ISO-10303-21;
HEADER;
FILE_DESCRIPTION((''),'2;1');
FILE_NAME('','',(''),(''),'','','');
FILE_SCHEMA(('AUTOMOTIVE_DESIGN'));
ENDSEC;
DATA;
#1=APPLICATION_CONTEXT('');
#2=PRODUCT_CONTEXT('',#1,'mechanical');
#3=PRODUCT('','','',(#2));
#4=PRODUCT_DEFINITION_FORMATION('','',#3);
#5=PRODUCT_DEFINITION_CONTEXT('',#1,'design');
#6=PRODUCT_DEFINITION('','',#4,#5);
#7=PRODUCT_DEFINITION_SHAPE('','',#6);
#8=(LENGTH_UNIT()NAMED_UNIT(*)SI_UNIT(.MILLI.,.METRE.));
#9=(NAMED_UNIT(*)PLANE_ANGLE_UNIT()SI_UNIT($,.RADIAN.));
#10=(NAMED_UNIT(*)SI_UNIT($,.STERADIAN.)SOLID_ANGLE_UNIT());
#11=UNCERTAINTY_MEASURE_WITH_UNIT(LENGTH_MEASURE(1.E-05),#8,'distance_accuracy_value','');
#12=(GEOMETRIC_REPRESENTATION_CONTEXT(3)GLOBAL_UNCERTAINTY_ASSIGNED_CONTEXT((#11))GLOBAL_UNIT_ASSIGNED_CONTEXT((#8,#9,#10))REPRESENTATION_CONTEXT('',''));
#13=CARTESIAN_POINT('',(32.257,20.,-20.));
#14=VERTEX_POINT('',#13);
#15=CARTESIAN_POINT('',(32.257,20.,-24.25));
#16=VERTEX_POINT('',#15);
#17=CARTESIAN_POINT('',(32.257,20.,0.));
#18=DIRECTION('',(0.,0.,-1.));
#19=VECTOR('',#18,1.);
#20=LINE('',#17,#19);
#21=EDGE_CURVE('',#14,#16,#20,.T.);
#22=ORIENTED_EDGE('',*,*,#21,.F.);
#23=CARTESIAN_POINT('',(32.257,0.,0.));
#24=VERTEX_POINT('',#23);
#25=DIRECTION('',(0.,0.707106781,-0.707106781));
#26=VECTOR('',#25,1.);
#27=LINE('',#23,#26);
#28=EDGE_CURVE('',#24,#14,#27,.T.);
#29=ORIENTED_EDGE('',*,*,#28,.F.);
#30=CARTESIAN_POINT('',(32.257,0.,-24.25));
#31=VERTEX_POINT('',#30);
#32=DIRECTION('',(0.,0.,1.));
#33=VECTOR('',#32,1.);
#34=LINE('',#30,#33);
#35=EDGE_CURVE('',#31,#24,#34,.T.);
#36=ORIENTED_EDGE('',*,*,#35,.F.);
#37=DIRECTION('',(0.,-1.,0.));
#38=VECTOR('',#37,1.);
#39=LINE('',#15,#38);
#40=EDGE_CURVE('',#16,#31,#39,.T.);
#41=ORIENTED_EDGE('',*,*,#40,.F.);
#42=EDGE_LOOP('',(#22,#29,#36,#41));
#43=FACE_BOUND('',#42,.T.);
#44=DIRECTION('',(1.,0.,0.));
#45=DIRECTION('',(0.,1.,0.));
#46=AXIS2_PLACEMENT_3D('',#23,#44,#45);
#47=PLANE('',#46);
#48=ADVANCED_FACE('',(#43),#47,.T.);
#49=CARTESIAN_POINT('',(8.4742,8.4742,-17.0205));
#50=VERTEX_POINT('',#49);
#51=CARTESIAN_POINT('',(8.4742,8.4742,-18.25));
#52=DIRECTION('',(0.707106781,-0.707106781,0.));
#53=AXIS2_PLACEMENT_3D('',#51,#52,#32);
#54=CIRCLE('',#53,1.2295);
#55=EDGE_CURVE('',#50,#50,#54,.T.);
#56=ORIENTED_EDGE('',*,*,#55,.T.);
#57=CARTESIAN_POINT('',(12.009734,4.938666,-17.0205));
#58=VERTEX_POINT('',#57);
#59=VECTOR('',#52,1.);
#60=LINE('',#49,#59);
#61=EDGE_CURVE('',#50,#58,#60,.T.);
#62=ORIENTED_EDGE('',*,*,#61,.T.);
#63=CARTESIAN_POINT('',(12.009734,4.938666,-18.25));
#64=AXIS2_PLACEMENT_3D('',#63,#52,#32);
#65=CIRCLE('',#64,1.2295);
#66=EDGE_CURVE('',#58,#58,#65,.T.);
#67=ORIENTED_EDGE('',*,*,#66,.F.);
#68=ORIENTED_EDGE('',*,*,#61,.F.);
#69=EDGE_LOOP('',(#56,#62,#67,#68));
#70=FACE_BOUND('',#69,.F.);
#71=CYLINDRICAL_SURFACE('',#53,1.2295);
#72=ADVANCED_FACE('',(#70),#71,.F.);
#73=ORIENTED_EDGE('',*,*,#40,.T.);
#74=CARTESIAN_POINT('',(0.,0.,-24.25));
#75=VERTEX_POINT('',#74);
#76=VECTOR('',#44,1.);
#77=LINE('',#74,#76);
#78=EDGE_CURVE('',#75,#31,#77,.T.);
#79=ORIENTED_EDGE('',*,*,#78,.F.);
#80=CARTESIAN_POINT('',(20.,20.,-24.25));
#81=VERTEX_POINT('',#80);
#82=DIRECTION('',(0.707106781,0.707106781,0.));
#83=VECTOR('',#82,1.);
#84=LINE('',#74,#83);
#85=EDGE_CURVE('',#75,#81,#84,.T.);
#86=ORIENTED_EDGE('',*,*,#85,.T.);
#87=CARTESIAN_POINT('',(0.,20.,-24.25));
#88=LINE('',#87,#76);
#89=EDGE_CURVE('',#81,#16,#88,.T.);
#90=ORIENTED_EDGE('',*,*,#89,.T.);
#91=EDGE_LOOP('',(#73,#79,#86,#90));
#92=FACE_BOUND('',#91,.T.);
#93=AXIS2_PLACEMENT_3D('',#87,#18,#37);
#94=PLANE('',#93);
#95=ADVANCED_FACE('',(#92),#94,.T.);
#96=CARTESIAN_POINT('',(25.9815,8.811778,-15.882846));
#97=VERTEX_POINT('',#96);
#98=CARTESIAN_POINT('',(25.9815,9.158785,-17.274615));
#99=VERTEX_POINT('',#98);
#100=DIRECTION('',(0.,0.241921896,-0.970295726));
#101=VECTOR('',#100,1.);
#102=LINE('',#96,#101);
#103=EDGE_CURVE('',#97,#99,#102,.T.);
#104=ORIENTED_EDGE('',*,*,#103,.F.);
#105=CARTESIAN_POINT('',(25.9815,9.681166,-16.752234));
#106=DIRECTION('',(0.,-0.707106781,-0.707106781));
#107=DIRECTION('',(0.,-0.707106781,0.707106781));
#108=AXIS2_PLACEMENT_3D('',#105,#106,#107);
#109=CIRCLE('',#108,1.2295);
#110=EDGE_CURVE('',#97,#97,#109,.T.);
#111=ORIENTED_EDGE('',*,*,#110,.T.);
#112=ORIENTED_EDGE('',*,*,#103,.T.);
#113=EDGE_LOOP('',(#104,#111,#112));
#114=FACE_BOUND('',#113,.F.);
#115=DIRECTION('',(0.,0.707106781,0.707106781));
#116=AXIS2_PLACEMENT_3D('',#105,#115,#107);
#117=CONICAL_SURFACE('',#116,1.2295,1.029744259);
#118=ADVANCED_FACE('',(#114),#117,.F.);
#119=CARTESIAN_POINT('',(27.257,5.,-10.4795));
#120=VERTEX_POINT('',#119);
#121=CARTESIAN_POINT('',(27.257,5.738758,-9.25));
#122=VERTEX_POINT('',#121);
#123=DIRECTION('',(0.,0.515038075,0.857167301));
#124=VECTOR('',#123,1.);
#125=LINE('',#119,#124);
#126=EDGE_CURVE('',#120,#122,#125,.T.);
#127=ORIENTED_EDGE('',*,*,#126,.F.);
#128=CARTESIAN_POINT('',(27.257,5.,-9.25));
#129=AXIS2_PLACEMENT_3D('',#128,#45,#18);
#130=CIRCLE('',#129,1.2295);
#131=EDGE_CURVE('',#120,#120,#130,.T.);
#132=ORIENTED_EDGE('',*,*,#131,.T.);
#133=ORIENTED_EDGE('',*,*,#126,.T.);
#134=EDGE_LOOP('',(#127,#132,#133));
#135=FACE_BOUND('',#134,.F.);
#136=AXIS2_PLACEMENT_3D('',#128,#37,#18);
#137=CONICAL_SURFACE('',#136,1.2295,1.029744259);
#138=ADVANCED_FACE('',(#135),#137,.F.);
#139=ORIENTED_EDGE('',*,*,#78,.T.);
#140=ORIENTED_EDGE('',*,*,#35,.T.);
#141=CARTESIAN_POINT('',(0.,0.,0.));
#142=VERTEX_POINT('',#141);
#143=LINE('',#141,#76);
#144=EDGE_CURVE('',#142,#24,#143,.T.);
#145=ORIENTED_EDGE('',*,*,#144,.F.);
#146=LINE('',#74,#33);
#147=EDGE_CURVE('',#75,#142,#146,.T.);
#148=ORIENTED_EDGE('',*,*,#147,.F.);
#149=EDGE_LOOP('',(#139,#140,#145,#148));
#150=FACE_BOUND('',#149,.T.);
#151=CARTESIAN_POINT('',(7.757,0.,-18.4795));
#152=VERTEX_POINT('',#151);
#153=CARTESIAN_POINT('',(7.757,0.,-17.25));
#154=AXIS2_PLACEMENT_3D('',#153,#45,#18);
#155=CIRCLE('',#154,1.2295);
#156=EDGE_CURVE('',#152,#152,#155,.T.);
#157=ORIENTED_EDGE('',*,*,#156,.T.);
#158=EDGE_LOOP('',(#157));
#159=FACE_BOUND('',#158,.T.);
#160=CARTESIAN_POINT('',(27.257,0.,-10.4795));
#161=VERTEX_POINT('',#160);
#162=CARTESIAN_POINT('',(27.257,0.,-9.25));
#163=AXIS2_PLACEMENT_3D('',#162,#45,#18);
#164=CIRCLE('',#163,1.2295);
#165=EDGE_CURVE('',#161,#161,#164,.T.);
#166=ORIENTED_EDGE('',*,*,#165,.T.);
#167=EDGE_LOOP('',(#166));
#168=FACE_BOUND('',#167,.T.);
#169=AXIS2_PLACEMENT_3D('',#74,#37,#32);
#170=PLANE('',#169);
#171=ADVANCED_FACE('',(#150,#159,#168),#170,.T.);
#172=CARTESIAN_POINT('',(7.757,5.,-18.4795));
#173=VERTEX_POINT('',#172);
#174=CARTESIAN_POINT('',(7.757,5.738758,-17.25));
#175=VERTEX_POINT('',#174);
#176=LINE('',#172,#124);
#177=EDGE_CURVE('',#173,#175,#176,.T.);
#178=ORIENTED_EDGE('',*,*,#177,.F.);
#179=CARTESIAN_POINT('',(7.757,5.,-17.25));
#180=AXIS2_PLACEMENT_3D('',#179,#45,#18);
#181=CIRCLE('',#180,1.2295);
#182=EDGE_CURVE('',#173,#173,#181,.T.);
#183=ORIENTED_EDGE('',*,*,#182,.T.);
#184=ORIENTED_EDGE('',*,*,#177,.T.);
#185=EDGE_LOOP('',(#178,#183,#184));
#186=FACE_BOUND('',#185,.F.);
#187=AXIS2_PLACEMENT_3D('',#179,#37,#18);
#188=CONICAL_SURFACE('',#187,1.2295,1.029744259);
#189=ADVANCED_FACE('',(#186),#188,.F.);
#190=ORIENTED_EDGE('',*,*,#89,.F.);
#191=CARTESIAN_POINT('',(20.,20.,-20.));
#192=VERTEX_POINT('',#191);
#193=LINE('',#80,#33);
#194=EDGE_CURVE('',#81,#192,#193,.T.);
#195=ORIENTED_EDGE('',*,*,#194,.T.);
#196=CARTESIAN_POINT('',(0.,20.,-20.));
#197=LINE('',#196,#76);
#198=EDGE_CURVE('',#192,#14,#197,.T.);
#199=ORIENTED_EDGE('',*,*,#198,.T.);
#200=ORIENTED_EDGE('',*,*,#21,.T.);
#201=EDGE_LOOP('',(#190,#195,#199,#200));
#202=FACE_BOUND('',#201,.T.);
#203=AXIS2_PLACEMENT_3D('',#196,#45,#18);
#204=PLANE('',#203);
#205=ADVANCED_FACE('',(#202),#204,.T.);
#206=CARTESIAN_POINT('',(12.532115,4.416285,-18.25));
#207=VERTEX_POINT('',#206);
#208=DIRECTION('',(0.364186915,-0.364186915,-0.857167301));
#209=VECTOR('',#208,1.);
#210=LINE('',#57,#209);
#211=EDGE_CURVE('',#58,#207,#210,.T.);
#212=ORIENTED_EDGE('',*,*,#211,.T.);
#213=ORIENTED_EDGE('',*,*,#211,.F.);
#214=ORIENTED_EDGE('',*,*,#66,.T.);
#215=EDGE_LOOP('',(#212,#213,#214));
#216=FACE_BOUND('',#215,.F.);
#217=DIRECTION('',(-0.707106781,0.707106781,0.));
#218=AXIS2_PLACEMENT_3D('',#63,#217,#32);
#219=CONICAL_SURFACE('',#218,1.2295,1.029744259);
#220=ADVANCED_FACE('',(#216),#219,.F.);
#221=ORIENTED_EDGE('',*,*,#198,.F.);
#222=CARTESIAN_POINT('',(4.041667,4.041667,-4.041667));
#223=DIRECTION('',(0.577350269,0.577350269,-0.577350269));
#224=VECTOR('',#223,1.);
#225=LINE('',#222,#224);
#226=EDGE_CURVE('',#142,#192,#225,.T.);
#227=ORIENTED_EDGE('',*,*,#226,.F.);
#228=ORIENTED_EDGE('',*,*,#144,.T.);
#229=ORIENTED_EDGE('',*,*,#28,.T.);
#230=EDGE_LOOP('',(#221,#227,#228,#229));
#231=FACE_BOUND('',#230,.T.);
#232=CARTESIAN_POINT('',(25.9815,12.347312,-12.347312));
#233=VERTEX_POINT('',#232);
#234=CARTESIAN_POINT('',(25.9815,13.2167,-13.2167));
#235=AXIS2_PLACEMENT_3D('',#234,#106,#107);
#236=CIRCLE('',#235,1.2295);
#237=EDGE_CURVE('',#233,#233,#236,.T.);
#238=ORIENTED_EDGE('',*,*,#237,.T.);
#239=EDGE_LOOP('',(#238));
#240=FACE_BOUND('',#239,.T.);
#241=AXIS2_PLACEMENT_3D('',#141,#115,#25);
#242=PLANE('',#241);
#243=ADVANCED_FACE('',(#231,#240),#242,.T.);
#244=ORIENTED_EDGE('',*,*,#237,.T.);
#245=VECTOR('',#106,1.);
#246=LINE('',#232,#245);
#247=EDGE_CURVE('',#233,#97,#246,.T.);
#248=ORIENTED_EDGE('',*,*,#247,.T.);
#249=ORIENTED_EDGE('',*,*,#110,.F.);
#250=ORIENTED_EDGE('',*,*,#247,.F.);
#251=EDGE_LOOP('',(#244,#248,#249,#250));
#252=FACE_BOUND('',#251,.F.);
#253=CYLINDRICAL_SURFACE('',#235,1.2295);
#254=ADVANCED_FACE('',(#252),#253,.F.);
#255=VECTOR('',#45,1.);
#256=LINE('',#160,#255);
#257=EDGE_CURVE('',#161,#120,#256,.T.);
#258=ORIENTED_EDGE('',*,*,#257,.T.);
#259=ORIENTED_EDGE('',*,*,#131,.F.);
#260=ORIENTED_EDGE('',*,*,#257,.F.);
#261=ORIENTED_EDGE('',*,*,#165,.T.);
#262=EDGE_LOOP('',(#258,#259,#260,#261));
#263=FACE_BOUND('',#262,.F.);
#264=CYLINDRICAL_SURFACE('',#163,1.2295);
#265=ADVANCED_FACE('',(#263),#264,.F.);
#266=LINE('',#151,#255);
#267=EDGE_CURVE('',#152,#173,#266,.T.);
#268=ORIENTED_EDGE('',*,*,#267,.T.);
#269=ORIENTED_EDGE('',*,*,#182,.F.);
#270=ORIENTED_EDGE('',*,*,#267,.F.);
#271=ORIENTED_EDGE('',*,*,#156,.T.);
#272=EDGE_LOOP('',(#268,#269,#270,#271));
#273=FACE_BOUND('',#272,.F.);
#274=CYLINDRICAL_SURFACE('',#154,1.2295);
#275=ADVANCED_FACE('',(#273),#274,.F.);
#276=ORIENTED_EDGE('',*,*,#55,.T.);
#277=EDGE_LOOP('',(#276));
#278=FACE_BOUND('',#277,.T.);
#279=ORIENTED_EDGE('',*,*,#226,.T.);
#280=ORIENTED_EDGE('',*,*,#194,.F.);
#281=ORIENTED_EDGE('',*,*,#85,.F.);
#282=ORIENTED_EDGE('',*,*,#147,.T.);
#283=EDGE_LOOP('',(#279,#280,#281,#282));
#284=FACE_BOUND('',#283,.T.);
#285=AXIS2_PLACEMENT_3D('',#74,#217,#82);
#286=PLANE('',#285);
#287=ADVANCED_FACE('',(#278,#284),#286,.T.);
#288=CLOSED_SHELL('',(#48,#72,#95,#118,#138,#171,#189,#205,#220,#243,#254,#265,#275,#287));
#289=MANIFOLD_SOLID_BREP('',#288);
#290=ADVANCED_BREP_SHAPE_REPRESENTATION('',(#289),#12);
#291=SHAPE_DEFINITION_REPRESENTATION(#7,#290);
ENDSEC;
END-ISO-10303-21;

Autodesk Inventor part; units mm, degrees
ref_plane "YZ Plane" through (0, 0, 0) normal (1, 0, 0) x (0, 1, 0)
ref_plane "XZ Plane" through (0, 0, 0) normal (0, 1, 0) x (-1, 0, 0)
ref_plane "XY Plane" through (0, 0, 0) normal (0, 0, 1) x (1, 0, 0)
sketch "Szkic1" plane through (0, 0, 0) normal (1, 0, 0) x (0, 1, 0)
  line L0 (0, 0) -> (20, 0)
  line L1 (20, 0) -> (20, -24.25)
  line L2 (20, -24.25) -> (0, -24.25)
  line L3 (0, -24.25) -> (0, 0)
  line L4 (0, 0) -> (20, -20)
  dimension "d0" = 20
  dimension "d1" = 24.25
  dimension "d4" = 45
extrude "Wyciągnięcie proste1" add sketch "Szkic1" along normal blind 32.257 contours L4 L1 L2 L3
sketch "Szkic2" plane through (0, 0, -24.25) normal (0, 0, -1) x (-1, 0, 0)
  line L0 (0, 0) -> (0, 20) projected
  line L1 (0, 0) -> (0, 20)
  line L2 (0, 0) -> (-20, 20)
  line L3 (0, 20) -> (-32.257, 20) projected
  dimension "d5" = 45
extrude "Wyciągnięcie proste2" cut sketch "Szkic2" against normal up to next
sketch "Szkic3" plane through (32.257, 0, -24.25) normal (0, -1, 0) x (1, 0, 0)
  line L0 (0, 24.25) -> (0, 0) projected
  line L1 (-32.257, 24.25) -> (0, 24.25) projected
  line L2 (-32.257, 24.25) -> (-32.257, 0) projected
  line L3 (-32.257, 0) -> (0, 0) projected
  point P0 (-5, 15)
  point P1 (-24.5, 7)
  dimension "d8" = 5
  dimension "d38" = 24.5
  dimension "d39" = 7
  dimension "d40" = 15
hole "Otwór1" at (27.257, 0, -9.25) at (7.757, 0, -17.25) direction (0, 1, 0) diameter 2.459 depth 5 tip angle 118 thread size "M3x0.5" class "6H" standard "ISO Metric profile"
sketch "Szkic4" plane through (0, 0, 0) normal (0, 0.7071, 0.7071) x (1, 0, 0)
  line L0 (20, 28.2843) -> (32.257, 28.2843) projected
  line L1 (32.257, 28.2843) -> (32.257, 0) projected
  point P0 (0, 0)
  point P1 (25.9815, 18.6912)
  dimension "d19" = 9.5931
  dimension "d20" = 6.2755
hole "Otwór2" at (25.9815, 13.2167, -13.2167) direction (0, -0.7071, -0.7071) diameter 2.459 depth 5 tip angle 118 thread size "M3x0.5" class "6H" standard "ISO Metric profile"
sketch "Szkic5" plane through (0, 0, -24.25) normal (-0.7071, 0.7071, 0) x (-0.7071, -0.7071, 0)
  line L0 (0, 24.25) -> (0, 0) projected
  line L1 (0, 0) -> (-28.2843, 0) projected
  line L2 (-28.2843, 0) -> (-28.2843, 4.25) projected
  point P0 (-11.9843, 6)
  dimension "d29" = 6
  dimension "d37" = 16.3
hole "Otwór3" at (8.4742, 8.4742, -18.25) direction (0.7071, -0.7071, 0) diameter 2.459 depth 5 tip angle 118 thread size "M3x0.5" class "6H" standard "ISO Metric profile"
properties part number "MocowanieBok2"
